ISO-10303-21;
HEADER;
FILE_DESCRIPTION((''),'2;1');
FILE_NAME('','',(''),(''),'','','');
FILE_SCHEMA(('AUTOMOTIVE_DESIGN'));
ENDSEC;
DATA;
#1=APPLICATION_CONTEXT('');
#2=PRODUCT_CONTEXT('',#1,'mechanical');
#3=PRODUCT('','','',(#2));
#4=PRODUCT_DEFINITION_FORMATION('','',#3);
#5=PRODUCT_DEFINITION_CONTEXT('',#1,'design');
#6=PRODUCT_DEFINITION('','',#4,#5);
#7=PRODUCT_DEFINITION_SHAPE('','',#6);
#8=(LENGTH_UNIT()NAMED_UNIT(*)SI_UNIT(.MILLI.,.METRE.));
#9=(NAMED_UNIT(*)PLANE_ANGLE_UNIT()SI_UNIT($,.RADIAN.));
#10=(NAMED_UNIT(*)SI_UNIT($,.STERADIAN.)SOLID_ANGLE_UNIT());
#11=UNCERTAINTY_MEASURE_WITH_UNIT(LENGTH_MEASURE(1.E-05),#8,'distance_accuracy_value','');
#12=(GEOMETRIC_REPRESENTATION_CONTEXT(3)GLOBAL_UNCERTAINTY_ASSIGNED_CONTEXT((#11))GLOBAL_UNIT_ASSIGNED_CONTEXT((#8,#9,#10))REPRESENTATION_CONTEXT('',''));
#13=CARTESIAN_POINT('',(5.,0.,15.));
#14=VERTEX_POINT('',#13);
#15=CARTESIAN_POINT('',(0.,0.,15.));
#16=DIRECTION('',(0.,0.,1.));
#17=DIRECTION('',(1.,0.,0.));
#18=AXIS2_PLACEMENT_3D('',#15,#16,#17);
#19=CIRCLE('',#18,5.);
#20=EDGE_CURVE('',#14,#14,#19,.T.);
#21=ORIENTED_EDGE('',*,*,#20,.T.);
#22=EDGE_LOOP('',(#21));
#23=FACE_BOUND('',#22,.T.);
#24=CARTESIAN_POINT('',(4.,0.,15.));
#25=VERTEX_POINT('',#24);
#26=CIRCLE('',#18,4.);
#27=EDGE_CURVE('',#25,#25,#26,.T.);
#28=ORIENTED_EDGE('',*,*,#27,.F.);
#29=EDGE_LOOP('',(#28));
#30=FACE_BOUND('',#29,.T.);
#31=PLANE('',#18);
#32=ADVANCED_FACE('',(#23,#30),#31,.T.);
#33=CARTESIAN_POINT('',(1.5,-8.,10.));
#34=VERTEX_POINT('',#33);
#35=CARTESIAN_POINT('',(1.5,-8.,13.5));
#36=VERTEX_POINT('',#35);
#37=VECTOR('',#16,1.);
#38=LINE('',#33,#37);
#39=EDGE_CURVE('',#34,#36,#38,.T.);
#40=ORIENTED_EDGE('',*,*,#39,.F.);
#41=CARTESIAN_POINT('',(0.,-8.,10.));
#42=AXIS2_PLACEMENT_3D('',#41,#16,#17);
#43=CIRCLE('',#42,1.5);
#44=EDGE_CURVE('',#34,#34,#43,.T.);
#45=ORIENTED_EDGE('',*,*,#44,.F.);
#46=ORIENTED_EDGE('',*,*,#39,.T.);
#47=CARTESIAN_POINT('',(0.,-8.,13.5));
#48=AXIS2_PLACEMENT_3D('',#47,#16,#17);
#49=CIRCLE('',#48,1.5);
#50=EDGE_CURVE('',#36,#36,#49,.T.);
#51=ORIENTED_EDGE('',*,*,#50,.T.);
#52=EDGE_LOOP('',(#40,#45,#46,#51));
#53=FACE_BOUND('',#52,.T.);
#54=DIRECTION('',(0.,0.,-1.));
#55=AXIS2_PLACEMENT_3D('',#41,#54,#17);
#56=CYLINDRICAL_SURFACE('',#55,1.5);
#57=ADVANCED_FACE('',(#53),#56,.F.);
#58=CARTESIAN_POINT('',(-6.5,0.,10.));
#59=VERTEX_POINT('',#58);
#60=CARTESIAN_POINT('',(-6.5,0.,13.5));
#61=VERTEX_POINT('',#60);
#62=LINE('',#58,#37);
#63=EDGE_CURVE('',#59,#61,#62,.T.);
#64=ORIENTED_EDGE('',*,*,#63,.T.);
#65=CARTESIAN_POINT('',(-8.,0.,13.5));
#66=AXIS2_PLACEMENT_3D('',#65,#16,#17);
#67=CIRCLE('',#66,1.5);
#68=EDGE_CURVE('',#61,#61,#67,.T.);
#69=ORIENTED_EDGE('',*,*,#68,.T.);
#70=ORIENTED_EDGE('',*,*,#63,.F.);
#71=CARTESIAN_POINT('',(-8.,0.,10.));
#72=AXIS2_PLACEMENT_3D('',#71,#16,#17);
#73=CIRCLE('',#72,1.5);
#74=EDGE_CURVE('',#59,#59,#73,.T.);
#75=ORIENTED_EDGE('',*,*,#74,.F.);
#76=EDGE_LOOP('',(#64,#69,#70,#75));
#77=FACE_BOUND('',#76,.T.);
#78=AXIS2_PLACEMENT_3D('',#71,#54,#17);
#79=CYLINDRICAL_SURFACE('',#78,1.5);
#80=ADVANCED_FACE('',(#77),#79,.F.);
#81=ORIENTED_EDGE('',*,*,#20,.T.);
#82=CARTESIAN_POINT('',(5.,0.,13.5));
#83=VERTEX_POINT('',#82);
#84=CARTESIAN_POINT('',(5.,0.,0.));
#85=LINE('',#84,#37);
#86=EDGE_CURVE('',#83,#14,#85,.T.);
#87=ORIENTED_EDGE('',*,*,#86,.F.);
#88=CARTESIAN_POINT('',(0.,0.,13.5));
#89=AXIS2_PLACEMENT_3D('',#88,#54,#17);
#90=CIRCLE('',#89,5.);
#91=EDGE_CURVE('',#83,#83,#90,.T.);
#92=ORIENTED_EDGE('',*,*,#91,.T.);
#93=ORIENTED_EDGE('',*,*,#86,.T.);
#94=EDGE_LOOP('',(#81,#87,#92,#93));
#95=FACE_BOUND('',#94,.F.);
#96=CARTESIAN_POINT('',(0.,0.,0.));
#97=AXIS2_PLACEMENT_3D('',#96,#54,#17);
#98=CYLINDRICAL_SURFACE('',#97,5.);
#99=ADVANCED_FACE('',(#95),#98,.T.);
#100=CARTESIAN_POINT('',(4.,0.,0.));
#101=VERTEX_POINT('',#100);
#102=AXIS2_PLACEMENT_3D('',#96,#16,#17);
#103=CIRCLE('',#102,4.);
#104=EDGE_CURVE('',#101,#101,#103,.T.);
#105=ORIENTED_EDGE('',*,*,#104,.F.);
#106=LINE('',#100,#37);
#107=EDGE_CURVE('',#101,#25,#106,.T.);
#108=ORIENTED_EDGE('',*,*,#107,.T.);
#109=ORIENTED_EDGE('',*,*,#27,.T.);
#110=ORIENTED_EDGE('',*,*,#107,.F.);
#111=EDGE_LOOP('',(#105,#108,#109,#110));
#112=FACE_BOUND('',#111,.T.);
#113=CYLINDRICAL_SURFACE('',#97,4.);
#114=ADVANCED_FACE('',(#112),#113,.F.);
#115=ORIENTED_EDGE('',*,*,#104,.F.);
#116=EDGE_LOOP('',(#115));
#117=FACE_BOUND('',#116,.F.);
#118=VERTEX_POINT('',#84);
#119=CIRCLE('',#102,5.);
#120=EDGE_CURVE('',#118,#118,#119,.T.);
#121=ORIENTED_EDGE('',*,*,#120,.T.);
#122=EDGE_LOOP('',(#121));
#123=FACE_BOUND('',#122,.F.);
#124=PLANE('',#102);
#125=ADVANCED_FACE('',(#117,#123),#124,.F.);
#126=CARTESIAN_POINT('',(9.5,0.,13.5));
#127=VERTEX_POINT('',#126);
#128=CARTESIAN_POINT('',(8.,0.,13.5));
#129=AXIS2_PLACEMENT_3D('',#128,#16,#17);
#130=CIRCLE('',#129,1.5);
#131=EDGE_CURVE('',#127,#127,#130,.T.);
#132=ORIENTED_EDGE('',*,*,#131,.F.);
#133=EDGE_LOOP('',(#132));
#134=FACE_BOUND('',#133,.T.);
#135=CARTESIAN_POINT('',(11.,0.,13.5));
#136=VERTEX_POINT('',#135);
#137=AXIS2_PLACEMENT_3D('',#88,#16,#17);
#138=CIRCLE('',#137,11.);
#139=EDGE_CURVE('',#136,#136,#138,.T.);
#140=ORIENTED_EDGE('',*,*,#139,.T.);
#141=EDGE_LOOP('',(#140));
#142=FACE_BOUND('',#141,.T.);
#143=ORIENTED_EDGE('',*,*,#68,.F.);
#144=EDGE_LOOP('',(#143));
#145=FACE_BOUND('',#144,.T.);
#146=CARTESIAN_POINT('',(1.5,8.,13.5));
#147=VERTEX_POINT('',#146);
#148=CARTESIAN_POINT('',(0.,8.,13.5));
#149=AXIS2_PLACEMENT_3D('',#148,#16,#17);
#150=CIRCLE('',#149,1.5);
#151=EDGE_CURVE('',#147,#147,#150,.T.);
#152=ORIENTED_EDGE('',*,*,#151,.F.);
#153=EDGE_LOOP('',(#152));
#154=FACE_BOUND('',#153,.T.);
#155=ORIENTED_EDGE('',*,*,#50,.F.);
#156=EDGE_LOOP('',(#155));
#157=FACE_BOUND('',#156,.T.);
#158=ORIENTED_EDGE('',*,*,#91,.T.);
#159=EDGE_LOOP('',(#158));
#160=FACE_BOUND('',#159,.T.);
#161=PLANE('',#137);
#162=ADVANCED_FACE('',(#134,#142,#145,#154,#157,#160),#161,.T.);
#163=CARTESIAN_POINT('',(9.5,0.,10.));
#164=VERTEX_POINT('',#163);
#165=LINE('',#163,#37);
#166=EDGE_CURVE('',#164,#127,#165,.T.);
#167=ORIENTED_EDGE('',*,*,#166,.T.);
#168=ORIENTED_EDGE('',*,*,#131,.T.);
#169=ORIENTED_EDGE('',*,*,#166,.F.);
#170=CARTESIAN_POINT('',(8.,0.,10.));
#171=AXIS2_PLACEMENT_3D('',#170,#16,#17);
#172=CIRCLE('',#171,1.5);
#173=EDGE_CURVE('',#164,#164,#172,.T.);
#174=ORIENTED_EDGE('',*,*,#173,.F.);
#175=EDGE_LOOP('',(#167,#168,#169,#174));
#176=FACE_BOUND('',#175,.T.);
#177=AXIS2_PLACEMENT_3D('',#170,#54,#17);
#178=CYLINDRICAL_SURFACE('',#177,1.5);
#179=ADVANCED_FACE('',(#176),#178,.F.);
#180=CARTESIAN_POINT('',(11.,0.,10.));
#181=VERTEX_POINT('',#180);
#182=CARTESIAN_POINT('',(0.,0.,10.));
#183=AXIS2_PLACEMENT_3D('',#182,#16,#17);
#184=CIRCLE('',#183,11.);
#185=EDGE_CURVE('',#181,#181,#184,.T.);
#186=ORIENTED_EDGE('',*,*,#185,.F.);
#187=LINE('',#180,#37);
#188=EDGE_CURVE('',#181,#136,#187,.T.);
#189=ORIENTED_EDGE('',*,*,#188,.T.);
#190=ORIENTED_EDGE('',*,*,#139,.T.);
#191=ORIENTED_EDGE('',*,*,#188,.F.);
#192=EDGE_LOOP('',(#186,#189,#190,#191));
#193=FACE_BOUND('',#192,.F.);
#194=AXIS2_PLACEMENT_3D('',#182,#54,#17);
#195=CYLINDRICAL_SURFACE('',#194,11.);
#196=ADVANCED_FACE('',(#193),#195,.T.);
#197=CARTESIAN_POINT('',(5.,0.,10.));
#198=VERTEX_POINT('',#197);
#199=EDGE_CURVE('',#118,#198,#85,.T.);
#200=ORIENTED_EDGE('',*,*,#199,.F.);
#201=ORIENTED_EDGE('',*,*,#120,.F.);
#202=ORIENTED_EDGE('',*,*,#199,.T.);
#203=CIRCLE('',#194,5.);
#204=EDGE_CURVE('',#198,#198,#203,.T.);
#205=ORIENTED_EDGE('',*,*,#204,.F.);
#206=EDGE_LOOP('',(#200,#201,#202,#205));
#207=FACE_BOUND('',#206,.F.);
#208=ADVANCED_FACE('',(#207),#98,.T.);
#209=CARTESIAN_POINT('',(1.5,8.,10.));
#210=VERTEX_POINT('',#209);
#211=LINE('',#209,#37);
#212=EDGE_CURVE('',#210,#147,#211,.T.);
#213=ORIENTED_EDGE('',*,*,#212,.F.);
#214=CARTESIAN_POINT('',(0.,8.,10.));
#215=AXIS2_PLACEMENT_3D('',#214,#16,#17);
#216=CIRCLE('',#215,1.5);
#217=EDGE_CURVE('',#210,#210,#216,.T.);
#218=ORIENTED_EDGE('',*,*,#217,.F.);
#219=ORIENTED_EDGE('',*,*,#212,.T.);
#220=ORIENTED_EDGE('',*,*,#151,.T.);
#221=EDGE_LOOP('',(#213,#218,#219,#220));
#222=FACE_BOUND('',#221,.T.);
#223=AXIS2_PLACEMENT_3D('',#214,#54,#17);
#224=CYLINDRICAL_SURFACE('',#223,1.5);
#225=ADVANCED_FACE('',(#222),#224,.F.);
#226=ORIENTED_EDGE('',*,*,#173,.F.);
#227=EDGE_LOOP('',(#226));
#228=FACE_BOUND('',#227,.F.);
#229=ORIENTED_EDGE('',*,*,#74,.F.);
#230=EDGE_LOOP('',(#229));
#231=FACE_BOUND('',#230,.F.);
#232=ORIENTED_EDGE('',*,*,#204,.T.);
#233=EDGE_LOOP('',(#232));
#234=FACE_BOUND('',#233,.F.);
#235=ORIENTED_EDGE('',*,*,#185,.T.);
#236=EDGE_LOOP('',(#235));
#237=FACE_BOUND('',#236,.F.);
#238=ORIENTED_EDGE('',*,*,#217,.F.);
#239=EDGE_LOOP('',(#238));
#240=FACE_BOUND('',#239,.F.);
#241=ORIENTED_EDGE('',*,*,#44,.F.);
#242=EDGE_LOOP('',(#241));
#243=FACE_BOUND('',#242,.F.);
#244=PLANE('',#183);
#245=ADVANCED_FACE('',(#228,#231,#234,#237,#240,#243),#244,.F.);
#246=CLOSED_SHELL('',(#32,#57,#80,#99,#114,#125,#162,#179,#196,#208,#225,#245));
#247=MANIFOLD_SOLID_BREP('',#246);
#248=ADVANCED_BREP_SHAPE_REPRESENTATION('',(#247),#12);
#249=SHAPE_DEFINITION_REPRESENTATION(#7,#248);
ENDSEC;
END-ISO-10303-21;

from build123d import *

# Parameters (mm, degrees)
F0_R     = 5
F0_R_2   = 4
F1_DEPTH = 15
F3_R     = 11
F3_R_2   = 1.5
F3_R_3   = 4
F4_DEPTH = 3.5


with BuildPart() as f1:
    # F0 (on Top) → F1 (new body)
    with BuildSketch(Plane.XY):
        Circle(F0_R)
        Circle(F0_R_2, mode=Mode.SUBTRACT)
    extrude(amount=F1_DEPTH)

    # F3 (on offset) → F4 (join)
    with BuildSketch(Plane.XY.offset(10)):
        Circle(F3_R)
        with Locations((0, -8)):
            Circle(F3_R_2, mode=Mode.SUBTRACT)
        with Locations((-8, 0)):
            Circle(F3_R_2, mode=Mode.SUBTRACT)
        Circle(F3_R_3, mode=Mode.SUBTRACT)
        with Locations((8, 0)):
            Circle(F3_R_2, mode=Mode.SUBTRACT)
        with Locations((0, 8)):
            Circle(F3_R_2, mode=Mode.SUBTRACT)
    extrude(amount=F4_DEPTH)


solid = f1.part
